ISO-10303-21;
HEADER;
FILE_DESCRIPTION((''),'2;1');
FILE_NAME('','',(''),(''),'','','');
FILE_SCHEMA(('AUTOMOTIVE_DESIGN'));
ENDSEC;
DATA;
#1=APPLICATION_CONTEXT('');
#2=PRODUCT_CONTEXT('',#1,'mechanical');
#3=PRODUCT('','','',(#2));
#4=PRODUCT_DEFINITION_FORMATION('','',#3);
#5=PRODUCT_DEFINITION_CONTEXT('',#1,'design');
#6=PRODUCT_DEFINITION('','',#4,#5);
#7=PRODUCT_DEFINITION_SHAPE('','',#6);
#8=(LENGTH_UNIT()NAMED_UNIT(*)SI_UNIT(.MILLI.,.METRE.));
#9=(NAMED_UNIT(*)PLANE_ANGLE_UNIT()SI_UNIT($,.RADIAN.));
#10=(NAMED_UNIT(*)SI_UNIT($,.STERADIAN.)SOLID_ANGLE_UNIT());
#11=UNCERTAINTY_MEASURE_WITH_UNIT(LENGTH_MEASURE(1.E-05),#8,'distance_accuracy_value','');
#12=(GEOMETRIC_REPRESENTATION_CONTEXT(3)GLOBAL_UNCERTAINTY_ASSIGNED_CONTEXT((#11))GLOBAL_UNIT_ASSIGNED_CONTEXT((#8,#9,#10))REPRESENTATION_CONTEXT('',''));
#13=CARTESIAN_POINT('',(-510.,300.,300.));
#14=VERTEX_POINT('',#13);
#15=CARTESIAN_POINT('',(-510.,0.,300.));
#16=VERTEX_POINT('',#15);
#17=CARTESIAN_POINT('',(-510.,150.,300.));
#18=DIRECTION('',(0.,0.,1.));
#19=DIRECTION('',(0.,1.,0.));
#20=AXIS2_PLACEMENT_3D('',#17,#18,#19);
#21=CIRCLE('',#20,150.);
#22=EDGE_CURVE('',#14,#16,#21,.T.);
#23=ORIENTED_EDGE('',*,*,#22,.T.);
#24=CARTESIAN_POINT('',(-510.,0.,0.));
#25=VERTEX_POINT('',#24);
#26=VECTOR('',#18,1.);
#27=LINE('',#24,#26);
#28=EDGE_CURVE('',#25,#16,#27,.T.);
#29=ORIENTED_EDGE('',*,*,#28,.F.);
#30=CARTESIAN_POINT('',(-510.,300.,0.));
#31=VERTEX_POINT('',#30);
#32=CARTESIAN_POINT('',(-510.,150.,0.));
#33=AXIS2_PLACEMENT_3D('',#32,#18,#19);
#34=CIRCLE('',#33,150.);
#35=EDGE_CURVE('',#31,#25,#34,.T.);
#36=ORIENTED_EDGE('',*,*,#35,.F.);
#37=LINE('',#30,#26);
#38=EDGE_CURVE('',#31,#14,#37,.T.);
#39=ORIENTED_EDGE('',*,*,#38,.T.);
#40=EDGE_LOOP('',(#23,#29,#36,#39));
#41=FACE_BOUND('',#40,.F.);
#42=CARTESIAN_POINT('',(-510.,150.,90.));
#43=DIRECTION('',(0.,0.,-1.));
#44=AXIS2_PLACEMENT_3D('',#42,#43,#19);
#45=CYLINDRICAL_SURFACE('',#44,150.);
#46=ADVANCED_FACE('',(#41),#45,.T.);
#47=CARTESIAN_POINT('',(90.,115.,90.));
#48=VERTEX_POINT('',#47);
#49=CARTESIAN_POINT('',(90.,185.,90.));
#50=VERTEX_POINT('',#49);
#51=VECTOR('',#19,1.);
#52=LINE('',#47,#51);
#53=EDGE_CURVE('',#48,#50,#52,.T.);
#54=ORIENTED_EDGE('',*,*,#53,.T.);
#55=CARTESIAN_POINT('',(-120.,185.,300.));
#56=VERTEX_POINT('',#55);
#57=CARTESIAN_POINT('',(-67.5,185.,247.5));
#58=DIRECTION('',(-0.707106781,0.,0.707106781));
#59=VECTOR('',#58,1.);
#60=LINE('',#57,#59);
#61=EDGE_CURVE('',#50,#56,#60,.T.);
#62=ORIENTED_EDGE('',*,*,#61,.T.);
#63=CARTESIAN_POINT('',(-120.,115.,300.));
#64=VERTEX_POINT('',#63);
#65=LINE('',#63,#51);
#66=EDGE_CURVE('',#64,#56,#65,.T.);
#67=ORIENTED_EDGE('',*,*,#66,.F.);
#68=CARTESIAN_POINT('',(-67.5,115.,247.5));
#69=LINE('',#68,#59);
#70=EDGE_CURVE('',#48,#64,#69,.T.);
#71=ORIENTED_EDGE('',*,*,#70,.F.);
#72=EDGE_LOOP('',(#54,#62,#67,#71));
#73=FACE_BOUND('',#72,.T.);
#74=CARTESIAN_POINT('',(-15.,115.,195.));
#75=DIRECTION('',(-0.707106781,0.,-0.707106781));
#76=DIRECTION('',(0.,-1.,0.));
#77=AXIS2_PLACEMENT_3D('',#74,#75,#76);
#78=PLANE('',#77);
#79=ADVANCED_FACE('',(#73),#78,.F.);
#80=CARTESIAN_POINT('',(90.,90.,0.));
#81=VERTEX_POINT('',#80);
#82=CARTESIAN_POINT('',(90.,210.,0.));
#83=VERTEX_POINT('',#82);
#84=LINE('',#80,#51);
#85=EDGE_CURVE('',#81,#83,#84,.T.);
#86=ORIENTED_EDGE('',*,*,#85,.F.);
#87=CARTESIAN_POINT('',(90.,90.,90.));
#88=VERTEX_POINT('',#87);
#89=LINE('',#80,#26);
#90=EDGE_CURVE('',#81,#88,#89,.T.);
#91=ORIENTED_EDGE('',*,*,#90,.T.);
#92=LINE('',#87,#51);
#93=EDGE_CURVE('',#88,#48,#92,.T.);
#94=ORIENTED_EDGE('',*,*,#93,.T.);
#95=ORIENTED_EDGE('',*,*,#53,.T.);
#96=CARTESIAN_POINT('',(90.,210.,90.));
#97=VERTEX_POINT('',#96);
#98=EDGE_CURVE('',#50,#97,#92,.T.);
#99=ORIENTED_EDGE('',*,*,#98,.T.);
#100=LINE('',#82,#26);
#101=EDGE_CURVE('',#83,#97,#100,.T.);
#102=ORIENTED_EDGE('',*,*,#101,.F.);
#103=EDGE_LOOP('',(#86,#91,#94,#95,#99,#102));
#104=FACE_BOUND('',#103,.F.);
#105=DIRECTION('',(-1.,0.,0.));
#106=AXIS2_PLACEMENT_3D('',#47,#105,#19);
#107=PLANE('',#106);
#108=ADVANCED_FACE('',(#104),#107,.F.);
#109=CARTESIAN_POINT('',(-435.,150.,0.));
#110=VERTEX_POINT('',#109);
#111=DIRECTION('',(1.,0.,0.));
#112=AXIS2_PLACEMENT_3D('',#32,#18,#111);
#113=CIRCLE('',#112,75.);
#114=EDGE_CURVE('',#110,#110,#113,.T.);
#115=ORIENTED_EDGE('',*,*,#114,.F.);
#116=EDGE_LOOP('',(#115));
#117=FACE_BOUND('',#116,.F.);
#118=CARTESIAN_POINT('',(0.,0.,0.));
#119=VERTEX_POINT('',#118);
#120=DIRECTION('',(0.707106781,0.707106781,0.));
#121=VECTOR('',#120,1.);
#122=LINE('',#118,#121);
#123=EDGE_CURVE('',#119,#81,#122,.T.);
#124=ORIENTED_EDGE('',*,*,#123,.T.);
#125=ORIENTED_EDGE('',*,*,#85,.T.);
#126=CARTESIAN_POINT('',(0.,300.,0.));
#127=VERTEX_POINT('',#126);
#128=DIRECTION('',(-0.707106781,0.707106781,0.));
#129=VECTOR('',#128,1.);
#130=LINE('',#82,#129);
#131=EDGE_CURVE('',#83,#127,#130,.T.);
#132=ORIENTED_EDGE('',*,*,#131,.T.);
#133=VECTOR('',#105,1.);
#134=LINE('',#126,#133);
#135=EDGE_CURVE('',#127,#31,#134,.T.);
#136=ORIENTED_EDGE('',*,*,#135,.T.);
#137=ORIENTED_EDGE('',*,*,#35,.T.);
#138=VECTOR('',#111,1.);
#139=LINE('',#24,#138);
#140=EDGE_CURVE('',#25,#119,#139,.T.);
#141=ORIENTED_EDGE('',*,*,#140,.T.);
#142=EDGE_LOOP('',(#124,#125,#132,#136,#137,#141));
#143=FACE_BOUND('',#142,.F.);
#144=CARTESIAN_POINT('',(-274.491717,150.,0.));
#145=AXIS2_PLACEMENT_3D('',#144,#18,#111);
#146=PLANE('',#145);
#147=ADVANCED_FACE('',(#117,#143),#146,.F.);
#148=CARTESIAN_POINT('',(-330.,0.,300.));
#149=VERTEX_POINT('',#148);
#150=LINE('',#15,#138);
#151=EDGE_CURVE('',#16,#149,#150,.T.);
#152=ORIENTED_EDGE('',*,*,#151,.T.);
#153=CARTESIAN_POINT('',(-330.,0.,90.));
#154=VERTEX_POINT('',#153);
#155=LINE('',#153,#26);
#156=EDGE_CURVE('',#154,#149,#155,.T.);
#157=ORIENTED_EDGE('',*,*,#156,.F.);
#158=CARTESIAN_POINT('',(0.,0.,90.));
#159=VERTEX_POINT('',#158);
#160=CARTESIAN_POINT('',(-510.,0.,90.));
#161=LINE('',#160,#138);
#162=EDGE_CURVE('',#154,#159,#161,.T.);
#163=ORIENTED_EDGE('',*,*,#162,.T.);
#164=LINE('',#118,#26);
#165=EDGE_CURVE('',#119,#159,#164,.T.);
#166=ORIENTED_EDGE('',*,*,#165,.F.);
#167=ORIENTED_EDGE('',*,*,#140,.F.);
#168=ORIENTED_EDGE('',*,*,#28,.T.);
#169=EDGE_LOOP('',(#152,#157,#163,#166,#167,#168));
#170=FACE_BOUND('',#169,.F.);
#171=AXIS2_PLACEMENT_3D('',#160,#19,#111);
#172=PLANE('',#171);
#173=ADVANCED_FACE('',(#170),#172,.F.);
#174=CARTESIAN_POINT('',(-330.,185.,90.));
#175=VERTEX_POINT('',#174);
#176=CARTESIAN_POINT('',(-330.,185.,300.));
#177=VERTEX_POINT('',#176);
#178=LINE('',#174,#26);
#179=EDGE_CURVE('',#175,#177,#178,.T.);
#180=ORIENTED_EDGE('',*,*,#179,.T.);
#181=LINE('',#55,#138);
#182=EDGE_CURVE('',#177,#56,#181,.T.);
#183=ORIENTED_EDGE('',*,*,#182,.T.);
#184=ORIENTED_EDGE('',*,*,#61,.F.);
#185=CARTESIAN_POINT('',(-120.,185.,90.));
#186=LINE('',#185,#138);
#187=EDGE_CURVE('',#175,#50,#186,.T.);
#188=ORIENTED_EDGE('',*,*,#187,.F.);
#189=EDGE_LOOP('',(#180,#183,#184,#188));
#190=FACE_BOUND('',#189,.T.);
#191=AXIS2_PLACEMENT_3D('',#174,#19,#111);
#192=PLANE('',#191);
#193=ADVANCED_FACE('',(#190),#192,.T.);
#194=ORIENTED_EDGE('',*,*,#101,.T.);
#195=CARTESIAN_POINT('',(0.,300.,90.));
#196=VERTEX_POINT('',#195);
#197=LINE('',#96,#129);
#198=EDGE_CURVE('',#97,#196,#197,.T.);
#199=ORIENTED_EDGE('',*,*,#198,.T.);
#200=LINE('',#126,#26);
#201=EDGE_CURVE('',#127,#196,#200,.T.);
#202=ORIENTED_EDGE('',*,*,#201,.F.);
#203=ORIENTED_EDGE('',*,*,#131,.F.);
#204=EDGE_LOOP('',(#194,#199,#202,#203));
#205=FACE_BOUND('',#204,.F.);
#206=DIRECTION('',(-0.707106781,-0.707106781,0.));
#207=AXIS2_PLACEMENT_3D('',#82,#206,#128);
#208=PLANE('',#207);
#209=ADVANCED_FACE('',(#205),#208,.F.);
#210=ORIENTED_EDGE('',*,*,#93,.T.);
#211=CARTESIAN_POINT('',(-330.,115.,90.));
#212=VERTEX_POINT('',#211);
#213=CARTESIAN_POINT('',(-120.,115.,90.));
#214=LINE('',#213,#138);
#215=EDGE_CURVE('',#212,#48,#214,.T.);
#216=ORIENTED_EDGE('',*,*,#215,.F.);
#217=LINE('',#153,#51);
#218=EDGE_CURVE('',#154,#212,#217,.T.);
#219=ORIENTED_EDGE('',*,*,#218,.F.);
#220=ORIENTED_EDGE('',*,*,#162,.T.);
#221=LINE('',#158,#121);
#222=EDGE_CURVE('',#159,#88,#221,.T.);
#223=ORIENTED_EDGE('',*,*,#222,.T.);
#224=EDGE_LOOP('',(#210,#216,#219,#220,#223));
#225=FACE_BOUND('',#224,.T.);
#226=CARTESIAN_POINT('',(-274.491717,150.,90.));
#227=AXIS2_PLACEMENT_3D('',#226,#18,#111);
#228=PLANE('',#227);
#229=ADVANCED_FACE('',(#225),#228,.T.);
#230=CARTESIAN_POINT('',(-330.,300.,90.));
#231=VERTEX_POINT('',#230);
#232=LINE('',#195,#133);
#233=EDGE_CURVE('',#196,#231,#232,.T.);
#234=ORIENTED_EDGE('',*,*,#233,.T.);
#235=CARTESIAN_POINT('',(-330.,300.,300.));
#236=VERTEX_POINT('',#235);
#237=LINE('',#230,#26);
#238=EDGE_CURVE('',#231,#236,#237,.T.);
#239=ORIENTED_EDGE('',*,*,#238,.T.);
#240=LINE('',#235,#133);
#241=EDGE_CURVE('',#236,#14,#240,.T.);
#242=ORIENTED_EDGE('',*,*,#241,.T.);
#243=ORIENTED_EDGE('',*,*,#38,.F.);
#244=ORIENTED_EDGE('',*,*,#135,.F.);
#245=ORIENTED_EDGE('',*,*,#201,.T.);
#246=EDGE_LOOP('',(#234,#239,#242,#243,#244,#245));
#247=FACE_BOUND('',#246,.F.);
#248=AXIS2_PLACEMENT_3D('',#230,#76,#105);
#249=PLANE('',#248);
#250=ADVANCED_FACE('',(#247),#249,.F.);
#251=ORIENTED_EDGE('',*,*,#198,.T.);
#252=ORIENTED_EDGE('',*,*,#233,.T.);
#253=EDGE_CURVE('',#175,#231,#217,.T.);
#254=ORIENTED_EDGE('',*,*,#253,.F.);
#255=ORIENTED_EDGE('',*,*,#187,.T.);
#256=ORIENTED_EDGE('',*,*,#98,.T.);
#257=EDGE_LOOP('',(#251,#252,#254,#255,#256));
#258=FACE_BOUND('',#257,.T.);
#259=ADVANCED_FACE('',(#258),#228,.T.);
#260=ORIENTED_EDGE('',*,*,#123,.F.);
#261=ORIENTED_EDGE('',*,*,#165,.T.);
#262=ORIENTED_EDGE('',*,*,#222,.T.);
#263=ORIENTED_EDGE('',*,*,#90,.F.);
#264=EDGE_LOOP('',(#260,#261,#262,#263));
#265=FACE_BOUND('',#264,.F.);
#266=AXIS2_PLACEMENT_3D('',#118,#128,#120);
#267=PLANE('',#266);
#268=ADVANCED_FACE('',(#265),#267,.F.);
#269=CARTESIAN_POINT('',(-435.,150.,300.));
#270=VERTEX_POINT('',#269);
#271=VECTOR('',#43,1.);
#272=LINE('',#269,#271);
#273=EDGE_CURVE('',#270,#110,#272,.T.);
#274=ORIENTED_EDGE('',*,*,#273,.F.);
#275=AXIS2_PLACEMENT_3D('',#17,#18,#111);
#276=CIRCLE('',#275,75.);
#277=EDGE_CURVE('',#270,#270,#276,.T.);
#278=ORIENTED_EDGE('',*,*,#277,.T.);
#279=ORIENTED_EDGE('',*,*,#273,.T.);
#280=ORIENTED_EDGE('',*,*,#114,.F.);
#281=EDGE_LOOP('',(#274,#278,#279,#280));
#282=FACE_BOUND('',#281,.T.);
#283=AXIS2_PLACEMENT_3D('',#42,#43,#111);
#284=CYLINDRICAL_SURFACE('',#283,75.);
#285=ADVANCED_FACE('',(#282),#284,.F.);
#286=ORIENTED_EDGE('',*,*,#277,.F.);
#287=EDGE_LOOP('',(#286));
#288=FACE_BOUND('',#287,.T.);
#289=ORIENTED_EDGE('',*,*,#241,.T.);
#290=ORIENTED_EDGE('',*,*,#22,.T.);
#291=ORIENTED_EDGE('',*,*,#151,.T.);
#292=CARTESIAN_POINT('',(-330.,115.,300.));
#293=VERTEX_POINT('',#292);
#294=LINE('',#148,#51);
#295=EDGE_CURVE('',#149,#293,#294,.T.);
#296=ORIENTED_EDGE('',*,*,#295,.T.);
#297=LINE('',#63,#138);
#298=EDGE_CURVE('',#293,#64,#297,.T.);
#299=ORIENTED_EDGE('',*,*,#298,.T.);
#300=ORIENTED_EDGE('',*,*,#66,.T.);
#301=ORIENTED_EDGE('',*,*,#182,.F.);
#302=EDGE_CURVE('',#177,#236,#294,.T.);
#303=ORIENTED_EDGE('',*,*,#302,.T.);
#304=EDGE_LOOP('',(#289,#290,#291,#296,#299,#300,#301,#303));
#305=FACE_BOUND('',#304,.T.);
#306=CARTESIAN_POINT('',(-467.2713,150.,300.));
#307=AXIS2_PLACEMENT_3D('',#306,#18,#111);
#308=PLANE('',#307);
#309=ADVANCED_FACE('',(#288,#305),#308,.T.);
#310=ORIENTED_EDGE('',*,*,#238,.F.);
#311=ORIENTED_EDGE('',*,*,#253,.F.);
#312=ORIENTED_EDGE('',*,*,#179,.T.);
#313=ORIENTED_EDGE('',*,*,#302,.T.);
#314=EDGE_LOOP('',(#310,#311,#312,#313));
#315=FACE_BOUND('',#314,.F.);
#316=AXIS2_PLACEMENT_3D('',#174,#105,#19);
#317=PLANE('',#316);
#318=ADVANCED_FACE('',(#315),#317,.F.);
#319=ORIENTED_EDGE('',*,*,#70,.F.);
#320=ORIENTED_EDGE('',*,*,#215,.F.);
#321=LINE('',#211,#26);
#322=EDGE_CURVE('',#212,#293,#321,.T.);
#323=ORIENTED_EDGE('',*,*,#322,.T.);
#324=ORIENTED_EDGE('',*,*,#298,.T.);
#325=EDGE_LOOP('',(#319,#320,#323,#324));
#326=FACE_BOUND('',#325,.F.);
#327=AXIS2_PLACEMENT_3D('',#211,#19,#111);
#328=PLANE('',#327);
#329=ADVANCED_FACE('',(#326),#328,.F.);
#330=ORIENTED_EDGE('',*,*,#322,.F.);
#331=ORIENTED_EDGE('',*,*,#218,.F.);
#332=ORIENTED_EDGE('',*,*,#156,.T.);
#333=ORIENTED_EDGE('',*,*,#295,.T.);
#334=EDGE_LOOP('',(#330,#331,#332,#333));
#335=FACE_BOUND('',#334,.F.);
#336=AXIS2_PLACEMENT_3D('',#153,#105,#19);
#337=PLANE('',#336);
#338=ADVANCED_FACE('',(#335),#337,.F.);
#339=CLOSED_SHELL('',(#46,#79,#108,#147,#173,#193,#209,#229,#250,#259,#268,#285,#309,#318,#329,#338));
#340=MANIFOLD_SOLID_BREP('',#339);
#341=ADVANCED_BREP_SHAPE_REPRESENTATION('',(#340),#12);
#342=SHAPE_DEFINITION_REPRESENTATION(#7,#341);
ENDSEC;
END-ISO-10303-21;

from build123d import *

# Parameters (mm, degrees)
F0_R     = 75
F1_DEPTH = 90
F2_R     = 75
F2_W     = 420
F2_H     = 70
F3_DEPTH = 210
F4_SIZE  = 210


with BuildPart() as f1:
    # F0 (on Top) → F1 (new body)
    with BuildSketch(Plane.XY):
        with BuildLine():
            Line((-510, 0), (0, 0))
            Line((0, 0), (90, 90))
            Line((90, 90), (90, 210))
            Line((90, 210), (0, 300))
            Line((0, 300), (-330, 300))
            Line((-330, 300), (-510, 300))
            ThreePointArc((-510, 300), (-660, 150), (-510, 0))
        make_face()
        with Locations((-510, 150)):
            Circle(F0_R, mode=Mode.SUBTRACT)
    extrude(amount=F1_DEPTH)

    # F2 (on face) → F3 (join)
    with BuildSketch(Plane.XY.offset(90)):
        with BuildLine():
            Line((-330, 300), (-510, 300))
            ThreePointArc((-510, 300), (-660, 150), (-510, 0))
            Line((-510, 0), (-330, 0))
            Line((-330, 0), (-330, 115))
            Line((-330, 115), (-330, 185))
            Line((-330, 185), (-330, 300))
        make_face()
        with Locations((-510, 150)):
            Circle(F2_R, mode=Mode.SUBTRACT)
        with Locations((-120, 150)):
            Rectangle(F2_W, F2_H)
    extrude(amount=F3_DEPTH)

    # F4
    f4_edges = [f1.edges().sort_by_distance(p)[0] for p in [
        (90, 150, 300),
    ]]
    chamfer(f4_edges, length=F4_SIZE)


solid = f1.part
